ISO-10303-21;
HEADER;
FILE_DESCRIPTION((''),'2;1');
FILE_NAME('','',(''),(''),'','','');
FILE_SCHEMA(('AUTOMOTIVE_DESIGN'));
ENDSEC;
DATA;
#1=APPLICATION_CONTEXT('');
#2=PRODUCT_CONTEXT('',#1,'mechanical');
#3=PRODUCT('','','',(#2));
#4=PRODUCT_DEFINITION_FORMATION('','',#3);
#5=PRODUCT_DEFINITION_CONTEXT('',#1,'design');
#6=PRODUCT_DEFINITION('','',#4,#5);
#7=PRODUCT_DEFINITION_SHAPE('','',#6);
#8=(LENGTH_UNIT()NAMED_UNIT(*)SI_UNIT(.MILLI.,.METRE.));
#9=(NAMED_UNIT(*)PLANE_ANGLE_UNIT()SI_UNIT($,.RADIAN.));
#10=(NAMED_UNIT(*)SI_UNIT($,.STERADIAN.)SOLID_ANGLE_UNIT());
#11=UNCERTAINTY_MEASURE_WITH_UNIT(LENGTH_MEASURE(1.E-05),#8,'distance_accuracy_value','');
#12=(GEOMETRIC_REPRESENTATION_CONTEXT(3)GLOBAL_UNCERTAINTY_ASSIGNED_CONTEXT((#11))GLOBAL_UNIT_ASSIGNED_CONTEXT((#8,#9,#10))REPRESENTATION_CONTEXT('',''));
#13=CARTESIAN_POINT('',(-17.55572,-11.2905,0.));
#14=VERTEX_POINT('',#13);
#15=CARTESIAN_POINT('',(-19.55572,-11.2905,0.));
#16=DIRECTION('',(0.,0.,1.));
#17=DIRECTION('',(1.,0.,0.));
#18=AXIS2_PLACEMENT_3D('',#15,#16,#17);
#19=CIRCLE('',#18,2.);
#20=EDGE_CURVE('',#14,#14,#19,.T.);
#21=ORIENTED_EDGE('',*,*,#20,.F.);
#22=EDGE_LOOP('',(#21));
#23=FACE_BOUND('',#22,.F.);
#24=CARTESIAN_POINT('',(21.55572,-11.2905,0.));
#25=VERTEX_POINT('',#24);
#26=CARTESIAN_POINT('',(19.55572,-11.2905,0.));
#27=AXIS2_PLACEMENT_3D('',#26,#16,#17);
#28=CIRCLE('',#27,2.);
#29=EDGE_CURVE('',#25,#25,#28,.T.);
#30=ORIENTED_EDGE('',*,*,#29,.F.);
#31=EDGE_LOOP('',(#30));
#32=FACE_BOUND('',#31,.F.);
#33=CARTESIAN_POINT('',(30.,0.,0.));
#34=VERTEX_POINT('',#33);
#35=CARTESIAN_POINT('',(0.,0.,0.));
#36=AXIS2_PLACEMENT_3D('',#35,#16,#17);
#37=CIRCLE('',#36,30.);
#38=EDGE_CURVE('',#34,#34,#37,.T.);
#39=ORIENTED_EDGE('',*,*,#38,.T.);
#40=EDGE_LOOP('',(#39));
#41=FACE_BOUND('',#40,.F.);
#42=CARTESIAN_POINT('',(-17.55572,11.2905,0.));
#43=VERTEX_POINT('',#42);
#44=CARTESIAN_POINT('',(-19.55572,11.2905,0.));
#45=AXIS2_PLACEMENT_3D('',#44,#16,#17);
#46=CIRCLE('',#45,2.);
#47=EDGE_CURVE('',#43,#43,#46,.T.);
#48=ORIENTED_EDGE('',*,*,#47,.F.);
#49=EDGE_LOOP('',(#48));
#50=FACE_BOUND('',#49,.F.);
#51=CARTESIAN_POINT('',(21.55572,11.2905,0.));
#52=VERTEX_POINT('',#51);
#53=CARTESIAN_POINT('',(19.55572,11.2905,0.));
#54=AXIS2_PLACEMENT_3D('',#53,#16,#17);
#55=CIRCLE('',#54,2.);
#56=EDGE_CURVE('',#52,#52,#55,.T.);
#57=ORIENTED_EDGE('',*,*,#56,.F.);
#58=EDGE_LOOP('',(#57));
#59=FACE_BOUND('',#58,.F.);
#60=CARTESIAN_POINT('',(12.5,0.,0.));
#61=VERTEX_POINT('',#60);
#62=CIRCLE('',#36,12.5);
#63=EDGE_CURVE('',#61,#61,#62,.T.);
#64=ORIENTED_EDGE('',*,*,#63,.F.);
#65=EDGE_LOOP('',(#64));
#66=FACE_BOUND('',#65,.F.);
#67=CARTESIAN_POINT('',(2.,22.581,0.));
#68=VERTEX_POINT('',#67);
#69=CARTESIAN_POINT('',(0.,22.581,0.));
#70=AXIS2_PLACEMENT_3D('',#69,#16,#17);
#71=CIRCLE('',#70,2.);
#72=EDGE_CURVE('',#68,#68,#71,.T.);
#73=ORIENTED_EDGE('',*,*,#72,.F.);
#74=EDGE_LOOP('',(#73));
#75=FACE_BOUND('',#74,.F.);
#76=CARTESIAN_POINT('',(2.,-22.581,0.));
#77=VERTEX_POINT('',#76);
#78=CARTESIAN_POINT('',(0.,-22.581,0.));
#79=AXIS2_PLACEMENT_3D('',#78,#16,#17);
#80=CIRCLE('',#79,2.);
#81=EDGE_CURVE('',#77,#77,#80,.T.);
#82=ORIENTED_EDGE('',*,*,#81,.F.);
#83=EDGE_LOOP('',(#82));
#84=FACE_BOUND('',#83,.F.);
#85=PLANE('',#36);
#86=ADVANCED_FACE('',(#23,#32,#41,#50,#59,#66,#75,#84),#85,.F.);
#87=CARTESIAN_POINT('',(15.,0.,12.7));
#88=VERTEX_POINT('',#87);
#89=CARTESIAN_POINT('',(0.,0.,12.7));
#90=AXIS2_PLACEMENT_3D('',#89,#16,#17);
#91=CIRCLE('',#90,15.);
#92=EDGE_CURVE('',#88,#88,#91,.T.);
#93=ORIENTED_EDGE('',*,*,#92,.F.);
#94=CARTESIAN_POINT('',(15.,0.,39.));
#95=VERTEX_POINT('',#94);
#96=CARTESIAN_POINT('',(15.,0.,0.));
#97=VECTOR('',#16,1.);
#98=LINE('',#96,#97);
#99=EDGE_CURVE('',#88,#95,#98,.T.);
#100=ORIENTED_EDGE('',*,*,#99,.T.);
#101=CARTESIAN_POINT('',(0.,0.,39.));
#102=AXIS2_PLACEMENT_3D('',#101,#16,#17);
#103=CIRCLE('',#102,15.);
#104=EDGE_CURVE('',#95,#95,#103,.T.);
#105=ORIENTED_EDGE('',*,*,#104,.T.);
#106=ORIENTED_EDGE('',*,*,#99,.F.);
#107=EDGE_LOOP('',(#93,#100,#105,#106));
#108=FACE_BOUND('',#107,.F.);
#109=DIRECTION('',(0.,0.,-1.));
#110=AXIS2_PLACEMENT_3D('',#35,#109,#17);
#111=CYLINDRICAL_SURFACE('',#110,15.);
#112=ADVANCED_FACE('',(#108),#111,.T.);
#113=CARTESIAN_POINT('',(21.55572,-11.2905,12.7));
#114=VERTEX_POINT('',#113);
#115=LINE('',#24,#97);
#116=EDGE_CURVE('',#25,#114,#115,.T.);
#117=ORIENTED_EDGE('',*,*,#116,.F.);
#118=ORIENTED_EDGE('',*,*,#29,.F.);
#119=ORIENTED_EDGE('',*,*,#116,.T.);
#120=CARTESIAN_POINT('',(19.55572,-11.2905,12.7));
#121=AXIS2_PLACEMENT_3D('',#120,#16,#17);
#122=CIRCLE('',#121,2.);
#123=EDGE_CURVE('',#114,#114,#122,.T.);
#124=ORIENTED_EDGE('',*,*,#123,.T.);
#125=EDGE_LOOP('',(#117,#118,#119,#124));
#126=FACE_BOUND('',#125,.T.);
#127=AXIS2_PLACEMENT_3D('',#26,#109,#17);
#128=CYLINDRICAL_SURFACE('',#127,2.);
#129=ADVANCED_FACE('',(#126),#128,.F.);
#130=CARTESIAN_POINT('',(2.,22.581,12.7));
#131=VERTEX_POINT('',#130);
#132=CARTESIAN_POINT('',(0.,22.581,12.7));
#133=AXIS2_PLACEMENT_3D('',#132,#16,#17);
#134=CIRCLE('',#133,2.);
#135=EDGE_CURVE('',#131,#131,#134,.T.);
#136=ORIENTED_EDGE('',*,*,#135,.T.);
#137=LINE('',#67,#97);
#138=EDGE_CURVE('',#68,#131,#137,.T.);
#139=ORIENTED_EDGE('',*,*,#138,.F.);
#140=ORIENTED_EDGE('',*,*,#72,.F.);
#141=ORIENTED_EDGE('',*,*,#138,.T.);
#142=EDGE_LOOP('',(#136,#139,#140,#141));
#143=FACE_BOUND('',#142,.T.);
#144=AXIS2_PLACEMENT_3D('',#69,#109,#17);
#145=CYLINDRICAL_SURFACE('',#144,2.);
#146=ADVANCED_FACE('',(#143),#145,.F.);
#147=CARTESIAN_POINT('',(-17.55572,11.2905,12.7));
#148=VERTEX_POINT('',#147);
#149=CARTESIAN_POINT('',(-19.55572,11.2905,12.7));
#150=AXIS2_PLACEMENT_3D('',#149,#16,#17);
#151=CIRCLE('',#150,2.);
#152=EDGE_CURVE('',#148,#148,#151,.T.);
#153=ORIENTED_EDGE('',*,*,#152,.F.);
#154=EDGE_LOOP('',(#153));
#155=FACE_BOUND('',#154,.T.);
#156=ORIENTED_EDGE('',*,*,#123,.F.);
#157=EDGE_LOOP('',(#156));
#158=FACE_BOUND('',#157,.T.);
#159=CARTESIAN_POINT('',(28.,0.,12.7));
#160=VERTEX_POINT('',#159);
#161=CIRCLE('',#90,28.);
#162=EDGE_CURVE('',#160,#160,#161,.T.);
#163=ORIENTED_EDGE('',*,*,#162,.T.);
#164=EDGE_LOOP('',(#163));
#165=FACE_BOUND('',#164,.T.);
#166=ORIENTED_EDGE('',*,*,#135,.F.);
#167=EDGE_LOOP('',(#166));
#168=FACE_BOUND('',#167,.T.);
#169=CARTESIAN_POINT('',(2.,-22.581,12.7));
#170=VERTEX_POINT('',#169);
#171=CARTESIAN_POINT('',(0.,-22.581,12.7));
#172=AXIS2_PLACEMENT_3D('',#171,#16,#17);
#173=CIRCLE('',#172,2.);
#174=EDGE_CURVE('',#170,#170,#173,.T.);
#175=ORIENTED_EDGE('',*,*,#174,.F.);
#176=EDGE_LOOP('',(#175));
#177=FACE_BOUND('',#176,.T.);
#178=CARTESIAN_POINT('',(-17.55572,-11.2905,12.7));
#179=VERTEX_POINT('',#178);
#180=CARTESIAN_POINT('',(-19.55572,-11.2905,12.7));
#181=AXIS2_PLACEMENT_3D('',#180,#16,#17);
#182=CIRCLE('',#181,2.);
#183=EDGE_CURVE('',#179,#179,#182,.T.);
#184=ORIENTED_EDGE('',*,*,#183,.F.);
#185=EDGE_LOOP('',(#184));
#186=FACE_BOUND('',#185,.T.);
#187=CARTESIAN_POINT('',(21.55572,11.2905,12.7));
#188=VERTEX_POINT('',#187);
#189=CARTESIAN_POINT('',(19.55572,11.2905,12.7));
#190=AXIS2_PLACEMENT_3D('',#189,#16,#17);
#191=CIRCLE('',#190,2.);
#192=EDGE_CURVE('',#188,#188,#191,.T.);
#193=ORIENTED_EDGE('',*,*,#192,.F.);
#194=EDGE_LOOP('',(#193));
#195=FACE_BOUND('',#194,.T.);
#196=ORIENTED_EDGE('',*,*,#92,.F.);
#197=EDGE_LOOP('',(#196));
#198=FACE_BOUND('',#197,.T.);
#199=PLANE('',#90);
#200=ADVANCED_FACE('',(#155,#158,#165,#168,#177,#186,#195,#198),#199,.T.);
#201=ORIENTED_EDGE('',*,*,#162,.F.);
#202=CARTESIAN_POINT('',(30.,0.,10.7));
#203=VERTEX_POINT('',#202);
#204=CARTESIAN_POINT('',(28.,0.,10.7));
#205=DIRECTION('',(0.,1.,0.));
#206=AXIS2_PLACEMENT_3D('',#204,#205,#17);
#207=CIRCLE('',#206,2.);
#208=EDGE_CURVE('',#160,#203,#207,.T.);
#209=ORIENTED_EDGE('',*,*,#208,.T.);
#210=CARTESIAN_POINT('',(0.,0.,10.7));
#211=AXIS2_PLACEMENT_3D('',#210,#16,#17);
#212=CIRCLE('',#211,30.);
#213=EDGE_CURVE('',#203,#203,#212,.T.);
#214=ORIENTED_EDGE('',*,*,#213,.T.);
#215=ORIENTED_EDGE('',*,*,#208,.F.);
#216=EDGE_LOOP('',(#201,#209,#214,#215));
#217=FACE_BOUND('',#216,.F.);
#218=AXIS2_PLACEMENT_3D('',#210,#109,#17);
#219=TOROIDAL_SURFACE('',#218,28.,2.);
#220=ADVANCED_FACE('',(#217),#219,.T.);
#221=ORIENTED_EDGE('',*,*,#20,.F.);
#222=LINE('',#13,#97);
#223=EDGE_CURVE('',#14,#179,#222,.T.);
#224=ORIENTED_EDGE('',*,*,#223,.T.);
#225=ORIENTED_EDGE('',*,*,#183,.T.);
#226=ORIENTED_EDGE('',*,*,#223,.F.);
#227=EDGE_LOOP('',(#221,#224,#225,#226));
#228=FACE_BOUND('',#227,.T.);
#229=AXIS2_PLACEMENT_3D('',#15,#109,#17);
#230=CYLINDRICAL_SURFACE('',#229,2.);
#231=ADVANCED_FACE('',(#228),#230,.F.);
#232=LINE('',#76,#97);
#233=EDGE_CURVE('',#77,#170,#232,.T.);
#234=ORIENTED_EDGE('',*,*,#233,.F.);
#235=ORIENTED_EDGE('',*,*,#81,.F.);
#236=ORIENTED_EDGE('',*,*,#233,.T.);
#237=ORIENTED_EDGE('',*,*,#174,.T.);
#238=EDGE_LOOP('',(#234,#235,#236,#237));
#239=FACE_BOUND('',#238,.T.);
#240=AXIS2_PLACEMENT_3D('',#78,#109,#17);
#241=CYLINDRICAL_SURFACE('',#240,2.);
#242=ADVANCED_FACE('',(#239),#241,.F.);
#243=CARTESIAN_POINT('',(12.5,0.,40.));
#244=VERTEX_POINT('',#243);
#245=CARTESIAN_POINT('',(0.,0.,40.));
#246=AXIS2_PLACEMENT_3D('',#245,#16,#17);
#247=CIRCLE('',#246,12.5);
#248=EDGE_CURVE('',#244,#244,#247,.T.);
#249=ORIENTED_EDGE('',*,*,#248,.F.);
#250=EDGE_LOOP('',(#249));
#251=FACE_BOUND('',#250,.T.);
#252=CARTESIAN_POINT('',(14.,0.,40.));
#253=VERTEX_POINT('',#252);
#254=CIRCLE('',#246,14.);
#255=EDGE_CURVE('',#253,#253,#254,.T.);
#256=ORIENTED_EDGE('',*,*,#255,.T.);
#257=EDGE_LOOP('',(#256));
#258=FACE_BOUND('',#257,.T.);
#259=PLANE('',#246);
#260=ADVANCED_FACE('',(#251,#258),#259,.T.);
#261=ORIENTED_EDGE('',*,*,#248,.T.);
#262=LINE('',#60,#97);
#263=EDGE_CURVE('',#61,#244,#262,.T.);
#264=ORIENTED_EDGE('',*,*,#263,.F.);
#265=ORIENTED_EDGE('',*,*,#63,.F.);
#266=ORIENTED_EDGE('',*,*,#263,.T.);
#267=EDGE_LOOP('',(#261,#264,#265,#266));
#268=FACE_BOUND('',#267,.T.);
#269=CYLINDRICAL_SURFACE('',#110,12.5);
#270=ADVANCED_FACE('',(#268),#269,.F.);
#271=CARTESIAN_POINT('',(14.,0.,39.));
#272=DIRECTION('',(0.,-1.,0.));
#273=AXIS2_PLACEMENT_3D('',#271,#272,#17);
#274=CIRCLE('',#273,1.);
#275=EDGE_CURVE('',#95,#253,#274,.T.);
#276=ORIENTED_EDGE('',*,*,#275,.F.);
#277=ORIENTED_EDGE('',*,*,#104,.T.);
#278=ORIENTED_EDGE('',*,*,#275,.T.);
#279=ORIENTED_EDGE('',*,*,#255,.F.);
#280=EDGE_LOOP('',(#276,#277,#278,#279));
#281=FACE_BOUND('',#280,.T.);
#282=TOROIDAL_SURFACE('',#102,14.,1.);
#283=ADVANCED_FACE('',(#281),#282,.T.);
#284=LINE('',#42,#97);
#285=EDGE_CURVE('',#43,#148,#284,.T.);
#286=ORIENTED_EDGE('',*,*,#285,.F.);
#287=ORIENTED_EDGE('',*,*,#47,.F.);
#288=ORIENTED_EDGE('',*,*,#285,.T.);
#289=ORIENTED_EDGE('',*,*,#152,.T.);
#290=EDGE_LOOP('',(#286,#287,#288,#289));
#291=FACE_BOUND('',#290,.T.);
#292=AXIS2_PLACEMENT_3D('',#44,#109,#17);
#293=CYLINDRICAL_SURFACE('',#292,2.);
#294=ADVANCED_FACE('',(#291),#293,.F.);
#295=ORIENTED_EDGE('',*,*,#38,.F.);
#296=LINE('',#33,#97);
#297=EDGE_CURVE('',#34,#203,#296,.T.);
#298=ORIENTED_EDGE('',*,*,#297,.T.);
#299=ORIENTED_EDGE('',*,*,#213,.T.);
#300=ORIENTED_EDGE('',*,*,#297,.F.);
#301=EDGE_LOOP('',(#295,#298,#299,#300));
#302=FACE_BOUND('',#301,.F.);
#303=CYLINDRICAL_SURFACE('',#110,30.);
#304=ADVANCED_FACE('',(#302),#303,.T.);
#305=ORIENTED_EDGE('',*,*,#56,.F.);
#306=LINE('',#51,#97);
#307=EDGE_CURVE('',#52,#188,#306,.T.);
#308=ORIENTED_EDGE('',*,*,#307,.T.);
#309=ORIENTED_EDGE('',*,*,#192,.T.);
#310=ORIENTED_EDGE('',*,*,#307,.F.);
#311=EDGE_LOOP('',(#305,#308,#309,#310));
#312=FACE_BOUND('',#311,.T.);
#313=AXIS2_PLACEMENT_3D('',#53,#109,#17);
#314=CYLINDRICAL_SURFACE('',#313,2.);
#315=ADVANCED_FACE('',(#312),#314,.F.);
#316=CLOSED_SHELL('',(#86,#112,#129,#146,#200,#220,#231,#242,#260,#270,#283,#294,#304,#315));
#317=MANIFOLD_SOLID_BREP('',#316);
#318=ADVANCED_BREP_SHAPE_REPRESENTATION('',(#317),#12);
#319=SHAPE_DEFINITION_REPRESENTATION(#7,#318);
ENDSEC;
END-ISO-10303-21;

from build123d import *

# Parameters (mm, degrees)
F0_R     = 15
F0_R_2   = 12.5
F0_R_3   = 30
F0_R_4   = 2
F1_DEPTH = 12.7
F2_DEPTH = 40
F3_R     = 1
F4_R     = 2


with BuildPart() as f1:
    # F0 (on Top) → F1 (new body)
    with BuildSketch(Plane.XY):
        Circle(F0_R)
        Circle(F0_R_2, mode=Mode.SUBTRACT)
        Circle(F0_R_3)
        with Locations((-19.55572, -11.2905)):
            Circle(F0_R_4, mode=Mode.SUBTRACT)
        with Locations((0, -22.581)):
            Circle(F0_R_4, mode=Mode.SUBTRACT)
        with Locations((19.55572, -11.2905)):
            Circle(F0_R_4, mode=Mode.SUBTRACT)
        with Locations((-19.55572, 11.2905)):
            Circle(F0_R_4, mode=Mode.SUBTRACT)
        Circle(F0_R, mode=Mode.SUBTRACT)
        with Locations((19.55572, 11.2905)):
            Circle(F0_R_4, mode=Mode.SUBTRACT)
        with Locations((0, 22.581)):
            Circle(F0_R_4, mode=Mode.SUBTRACT)
    extrude(amount=F1_DEPTH)

    # F0 (on Top) → F2 (join)
    with BuildSketch(Plane.XY):
        Circle(F0_R)
        Circle(F0_R_2, mode=Mode.SUBTRACT)
    extrude(amount=F2_DEPTH)

    # F3
    f3_edges = [f1.edges().sort_by_distance(p)[0] for p in [
        (-15, 0, 40),
    ]]
    fillet(f3_edges, radius=F3_R)

    # F4
    f4_edges = [f1.edges().sort_by_distance(p)[0] for p in [
        (-30, 0, 12.7),
    ]]
    fillet(f4_edges, radius=F4_R)


solid = f1.part
